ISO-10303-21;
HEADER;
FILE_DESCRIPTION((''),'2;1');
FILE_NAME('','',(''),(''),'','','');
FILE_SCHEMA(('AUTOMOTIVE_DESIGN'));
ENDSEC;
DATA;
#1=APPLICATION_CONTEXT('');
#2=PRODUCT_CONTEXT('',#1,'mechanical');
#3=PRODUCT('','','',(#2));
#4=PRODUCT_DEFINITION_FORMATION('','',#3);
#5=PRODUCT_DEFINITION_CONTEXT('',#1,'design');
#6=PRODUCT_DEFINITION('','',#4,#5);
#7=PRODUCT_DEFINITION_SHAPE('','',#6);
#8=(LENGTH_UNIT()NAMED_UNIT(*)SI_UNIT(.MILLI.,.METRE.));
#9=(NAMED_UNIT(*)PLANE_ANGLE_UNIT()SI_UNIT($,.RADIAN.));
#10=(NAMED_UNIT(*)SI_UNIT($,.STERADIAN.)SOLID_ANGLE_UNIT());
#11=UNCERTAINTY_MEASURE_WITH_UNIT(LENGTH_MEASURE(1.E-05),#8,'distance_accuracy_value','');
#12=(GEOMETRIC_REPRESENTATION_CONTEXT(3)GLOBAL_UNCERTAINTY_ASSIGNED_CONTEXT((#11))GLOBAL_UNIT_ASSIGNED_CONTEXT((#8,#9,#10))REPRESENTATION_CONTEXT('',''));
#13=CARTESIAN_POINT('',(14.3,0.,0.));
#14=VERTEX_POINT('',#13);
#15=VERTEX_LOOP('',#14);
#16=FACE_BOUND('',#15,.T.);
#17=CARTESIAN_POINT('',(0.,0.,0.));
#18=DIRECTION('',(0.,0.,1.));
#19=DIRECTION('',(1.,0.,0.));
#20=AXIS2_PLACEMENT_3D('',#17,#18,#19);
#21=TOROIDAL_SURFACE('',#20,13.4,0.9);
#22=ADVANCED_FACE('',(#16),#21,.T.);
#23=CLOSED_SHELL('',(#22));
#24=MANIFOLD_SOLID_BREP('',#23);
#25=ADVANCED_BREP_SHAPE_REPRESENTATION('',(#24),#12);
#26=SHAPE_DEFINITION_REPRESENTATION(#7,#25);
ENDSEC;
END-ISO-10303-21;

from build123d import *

# Parameters (mm, degrees)
SKETCH_1_R = 0.9


with BuildPart() as part:
    # 草图1 → 旋转2 (revolve)
    with BuildSketch(Plane(origin=(0, 0, 0), x_dir=(0, 0, -1), z_dir=(1, 0, 0)), mode=Mode.PRIVATE) as revolve_2_sk:
        with Locations((0, 13.4)):
            Circle(SKETCH_1_R)
    revolve(revolve_2_sk.sketch.rotate(Axis((0, 0, 15.026058728), (0, 0, -1)), 90), axis=Axis((0, 0, 15.026058728), (0, 0, -1)))


solid = part.part
